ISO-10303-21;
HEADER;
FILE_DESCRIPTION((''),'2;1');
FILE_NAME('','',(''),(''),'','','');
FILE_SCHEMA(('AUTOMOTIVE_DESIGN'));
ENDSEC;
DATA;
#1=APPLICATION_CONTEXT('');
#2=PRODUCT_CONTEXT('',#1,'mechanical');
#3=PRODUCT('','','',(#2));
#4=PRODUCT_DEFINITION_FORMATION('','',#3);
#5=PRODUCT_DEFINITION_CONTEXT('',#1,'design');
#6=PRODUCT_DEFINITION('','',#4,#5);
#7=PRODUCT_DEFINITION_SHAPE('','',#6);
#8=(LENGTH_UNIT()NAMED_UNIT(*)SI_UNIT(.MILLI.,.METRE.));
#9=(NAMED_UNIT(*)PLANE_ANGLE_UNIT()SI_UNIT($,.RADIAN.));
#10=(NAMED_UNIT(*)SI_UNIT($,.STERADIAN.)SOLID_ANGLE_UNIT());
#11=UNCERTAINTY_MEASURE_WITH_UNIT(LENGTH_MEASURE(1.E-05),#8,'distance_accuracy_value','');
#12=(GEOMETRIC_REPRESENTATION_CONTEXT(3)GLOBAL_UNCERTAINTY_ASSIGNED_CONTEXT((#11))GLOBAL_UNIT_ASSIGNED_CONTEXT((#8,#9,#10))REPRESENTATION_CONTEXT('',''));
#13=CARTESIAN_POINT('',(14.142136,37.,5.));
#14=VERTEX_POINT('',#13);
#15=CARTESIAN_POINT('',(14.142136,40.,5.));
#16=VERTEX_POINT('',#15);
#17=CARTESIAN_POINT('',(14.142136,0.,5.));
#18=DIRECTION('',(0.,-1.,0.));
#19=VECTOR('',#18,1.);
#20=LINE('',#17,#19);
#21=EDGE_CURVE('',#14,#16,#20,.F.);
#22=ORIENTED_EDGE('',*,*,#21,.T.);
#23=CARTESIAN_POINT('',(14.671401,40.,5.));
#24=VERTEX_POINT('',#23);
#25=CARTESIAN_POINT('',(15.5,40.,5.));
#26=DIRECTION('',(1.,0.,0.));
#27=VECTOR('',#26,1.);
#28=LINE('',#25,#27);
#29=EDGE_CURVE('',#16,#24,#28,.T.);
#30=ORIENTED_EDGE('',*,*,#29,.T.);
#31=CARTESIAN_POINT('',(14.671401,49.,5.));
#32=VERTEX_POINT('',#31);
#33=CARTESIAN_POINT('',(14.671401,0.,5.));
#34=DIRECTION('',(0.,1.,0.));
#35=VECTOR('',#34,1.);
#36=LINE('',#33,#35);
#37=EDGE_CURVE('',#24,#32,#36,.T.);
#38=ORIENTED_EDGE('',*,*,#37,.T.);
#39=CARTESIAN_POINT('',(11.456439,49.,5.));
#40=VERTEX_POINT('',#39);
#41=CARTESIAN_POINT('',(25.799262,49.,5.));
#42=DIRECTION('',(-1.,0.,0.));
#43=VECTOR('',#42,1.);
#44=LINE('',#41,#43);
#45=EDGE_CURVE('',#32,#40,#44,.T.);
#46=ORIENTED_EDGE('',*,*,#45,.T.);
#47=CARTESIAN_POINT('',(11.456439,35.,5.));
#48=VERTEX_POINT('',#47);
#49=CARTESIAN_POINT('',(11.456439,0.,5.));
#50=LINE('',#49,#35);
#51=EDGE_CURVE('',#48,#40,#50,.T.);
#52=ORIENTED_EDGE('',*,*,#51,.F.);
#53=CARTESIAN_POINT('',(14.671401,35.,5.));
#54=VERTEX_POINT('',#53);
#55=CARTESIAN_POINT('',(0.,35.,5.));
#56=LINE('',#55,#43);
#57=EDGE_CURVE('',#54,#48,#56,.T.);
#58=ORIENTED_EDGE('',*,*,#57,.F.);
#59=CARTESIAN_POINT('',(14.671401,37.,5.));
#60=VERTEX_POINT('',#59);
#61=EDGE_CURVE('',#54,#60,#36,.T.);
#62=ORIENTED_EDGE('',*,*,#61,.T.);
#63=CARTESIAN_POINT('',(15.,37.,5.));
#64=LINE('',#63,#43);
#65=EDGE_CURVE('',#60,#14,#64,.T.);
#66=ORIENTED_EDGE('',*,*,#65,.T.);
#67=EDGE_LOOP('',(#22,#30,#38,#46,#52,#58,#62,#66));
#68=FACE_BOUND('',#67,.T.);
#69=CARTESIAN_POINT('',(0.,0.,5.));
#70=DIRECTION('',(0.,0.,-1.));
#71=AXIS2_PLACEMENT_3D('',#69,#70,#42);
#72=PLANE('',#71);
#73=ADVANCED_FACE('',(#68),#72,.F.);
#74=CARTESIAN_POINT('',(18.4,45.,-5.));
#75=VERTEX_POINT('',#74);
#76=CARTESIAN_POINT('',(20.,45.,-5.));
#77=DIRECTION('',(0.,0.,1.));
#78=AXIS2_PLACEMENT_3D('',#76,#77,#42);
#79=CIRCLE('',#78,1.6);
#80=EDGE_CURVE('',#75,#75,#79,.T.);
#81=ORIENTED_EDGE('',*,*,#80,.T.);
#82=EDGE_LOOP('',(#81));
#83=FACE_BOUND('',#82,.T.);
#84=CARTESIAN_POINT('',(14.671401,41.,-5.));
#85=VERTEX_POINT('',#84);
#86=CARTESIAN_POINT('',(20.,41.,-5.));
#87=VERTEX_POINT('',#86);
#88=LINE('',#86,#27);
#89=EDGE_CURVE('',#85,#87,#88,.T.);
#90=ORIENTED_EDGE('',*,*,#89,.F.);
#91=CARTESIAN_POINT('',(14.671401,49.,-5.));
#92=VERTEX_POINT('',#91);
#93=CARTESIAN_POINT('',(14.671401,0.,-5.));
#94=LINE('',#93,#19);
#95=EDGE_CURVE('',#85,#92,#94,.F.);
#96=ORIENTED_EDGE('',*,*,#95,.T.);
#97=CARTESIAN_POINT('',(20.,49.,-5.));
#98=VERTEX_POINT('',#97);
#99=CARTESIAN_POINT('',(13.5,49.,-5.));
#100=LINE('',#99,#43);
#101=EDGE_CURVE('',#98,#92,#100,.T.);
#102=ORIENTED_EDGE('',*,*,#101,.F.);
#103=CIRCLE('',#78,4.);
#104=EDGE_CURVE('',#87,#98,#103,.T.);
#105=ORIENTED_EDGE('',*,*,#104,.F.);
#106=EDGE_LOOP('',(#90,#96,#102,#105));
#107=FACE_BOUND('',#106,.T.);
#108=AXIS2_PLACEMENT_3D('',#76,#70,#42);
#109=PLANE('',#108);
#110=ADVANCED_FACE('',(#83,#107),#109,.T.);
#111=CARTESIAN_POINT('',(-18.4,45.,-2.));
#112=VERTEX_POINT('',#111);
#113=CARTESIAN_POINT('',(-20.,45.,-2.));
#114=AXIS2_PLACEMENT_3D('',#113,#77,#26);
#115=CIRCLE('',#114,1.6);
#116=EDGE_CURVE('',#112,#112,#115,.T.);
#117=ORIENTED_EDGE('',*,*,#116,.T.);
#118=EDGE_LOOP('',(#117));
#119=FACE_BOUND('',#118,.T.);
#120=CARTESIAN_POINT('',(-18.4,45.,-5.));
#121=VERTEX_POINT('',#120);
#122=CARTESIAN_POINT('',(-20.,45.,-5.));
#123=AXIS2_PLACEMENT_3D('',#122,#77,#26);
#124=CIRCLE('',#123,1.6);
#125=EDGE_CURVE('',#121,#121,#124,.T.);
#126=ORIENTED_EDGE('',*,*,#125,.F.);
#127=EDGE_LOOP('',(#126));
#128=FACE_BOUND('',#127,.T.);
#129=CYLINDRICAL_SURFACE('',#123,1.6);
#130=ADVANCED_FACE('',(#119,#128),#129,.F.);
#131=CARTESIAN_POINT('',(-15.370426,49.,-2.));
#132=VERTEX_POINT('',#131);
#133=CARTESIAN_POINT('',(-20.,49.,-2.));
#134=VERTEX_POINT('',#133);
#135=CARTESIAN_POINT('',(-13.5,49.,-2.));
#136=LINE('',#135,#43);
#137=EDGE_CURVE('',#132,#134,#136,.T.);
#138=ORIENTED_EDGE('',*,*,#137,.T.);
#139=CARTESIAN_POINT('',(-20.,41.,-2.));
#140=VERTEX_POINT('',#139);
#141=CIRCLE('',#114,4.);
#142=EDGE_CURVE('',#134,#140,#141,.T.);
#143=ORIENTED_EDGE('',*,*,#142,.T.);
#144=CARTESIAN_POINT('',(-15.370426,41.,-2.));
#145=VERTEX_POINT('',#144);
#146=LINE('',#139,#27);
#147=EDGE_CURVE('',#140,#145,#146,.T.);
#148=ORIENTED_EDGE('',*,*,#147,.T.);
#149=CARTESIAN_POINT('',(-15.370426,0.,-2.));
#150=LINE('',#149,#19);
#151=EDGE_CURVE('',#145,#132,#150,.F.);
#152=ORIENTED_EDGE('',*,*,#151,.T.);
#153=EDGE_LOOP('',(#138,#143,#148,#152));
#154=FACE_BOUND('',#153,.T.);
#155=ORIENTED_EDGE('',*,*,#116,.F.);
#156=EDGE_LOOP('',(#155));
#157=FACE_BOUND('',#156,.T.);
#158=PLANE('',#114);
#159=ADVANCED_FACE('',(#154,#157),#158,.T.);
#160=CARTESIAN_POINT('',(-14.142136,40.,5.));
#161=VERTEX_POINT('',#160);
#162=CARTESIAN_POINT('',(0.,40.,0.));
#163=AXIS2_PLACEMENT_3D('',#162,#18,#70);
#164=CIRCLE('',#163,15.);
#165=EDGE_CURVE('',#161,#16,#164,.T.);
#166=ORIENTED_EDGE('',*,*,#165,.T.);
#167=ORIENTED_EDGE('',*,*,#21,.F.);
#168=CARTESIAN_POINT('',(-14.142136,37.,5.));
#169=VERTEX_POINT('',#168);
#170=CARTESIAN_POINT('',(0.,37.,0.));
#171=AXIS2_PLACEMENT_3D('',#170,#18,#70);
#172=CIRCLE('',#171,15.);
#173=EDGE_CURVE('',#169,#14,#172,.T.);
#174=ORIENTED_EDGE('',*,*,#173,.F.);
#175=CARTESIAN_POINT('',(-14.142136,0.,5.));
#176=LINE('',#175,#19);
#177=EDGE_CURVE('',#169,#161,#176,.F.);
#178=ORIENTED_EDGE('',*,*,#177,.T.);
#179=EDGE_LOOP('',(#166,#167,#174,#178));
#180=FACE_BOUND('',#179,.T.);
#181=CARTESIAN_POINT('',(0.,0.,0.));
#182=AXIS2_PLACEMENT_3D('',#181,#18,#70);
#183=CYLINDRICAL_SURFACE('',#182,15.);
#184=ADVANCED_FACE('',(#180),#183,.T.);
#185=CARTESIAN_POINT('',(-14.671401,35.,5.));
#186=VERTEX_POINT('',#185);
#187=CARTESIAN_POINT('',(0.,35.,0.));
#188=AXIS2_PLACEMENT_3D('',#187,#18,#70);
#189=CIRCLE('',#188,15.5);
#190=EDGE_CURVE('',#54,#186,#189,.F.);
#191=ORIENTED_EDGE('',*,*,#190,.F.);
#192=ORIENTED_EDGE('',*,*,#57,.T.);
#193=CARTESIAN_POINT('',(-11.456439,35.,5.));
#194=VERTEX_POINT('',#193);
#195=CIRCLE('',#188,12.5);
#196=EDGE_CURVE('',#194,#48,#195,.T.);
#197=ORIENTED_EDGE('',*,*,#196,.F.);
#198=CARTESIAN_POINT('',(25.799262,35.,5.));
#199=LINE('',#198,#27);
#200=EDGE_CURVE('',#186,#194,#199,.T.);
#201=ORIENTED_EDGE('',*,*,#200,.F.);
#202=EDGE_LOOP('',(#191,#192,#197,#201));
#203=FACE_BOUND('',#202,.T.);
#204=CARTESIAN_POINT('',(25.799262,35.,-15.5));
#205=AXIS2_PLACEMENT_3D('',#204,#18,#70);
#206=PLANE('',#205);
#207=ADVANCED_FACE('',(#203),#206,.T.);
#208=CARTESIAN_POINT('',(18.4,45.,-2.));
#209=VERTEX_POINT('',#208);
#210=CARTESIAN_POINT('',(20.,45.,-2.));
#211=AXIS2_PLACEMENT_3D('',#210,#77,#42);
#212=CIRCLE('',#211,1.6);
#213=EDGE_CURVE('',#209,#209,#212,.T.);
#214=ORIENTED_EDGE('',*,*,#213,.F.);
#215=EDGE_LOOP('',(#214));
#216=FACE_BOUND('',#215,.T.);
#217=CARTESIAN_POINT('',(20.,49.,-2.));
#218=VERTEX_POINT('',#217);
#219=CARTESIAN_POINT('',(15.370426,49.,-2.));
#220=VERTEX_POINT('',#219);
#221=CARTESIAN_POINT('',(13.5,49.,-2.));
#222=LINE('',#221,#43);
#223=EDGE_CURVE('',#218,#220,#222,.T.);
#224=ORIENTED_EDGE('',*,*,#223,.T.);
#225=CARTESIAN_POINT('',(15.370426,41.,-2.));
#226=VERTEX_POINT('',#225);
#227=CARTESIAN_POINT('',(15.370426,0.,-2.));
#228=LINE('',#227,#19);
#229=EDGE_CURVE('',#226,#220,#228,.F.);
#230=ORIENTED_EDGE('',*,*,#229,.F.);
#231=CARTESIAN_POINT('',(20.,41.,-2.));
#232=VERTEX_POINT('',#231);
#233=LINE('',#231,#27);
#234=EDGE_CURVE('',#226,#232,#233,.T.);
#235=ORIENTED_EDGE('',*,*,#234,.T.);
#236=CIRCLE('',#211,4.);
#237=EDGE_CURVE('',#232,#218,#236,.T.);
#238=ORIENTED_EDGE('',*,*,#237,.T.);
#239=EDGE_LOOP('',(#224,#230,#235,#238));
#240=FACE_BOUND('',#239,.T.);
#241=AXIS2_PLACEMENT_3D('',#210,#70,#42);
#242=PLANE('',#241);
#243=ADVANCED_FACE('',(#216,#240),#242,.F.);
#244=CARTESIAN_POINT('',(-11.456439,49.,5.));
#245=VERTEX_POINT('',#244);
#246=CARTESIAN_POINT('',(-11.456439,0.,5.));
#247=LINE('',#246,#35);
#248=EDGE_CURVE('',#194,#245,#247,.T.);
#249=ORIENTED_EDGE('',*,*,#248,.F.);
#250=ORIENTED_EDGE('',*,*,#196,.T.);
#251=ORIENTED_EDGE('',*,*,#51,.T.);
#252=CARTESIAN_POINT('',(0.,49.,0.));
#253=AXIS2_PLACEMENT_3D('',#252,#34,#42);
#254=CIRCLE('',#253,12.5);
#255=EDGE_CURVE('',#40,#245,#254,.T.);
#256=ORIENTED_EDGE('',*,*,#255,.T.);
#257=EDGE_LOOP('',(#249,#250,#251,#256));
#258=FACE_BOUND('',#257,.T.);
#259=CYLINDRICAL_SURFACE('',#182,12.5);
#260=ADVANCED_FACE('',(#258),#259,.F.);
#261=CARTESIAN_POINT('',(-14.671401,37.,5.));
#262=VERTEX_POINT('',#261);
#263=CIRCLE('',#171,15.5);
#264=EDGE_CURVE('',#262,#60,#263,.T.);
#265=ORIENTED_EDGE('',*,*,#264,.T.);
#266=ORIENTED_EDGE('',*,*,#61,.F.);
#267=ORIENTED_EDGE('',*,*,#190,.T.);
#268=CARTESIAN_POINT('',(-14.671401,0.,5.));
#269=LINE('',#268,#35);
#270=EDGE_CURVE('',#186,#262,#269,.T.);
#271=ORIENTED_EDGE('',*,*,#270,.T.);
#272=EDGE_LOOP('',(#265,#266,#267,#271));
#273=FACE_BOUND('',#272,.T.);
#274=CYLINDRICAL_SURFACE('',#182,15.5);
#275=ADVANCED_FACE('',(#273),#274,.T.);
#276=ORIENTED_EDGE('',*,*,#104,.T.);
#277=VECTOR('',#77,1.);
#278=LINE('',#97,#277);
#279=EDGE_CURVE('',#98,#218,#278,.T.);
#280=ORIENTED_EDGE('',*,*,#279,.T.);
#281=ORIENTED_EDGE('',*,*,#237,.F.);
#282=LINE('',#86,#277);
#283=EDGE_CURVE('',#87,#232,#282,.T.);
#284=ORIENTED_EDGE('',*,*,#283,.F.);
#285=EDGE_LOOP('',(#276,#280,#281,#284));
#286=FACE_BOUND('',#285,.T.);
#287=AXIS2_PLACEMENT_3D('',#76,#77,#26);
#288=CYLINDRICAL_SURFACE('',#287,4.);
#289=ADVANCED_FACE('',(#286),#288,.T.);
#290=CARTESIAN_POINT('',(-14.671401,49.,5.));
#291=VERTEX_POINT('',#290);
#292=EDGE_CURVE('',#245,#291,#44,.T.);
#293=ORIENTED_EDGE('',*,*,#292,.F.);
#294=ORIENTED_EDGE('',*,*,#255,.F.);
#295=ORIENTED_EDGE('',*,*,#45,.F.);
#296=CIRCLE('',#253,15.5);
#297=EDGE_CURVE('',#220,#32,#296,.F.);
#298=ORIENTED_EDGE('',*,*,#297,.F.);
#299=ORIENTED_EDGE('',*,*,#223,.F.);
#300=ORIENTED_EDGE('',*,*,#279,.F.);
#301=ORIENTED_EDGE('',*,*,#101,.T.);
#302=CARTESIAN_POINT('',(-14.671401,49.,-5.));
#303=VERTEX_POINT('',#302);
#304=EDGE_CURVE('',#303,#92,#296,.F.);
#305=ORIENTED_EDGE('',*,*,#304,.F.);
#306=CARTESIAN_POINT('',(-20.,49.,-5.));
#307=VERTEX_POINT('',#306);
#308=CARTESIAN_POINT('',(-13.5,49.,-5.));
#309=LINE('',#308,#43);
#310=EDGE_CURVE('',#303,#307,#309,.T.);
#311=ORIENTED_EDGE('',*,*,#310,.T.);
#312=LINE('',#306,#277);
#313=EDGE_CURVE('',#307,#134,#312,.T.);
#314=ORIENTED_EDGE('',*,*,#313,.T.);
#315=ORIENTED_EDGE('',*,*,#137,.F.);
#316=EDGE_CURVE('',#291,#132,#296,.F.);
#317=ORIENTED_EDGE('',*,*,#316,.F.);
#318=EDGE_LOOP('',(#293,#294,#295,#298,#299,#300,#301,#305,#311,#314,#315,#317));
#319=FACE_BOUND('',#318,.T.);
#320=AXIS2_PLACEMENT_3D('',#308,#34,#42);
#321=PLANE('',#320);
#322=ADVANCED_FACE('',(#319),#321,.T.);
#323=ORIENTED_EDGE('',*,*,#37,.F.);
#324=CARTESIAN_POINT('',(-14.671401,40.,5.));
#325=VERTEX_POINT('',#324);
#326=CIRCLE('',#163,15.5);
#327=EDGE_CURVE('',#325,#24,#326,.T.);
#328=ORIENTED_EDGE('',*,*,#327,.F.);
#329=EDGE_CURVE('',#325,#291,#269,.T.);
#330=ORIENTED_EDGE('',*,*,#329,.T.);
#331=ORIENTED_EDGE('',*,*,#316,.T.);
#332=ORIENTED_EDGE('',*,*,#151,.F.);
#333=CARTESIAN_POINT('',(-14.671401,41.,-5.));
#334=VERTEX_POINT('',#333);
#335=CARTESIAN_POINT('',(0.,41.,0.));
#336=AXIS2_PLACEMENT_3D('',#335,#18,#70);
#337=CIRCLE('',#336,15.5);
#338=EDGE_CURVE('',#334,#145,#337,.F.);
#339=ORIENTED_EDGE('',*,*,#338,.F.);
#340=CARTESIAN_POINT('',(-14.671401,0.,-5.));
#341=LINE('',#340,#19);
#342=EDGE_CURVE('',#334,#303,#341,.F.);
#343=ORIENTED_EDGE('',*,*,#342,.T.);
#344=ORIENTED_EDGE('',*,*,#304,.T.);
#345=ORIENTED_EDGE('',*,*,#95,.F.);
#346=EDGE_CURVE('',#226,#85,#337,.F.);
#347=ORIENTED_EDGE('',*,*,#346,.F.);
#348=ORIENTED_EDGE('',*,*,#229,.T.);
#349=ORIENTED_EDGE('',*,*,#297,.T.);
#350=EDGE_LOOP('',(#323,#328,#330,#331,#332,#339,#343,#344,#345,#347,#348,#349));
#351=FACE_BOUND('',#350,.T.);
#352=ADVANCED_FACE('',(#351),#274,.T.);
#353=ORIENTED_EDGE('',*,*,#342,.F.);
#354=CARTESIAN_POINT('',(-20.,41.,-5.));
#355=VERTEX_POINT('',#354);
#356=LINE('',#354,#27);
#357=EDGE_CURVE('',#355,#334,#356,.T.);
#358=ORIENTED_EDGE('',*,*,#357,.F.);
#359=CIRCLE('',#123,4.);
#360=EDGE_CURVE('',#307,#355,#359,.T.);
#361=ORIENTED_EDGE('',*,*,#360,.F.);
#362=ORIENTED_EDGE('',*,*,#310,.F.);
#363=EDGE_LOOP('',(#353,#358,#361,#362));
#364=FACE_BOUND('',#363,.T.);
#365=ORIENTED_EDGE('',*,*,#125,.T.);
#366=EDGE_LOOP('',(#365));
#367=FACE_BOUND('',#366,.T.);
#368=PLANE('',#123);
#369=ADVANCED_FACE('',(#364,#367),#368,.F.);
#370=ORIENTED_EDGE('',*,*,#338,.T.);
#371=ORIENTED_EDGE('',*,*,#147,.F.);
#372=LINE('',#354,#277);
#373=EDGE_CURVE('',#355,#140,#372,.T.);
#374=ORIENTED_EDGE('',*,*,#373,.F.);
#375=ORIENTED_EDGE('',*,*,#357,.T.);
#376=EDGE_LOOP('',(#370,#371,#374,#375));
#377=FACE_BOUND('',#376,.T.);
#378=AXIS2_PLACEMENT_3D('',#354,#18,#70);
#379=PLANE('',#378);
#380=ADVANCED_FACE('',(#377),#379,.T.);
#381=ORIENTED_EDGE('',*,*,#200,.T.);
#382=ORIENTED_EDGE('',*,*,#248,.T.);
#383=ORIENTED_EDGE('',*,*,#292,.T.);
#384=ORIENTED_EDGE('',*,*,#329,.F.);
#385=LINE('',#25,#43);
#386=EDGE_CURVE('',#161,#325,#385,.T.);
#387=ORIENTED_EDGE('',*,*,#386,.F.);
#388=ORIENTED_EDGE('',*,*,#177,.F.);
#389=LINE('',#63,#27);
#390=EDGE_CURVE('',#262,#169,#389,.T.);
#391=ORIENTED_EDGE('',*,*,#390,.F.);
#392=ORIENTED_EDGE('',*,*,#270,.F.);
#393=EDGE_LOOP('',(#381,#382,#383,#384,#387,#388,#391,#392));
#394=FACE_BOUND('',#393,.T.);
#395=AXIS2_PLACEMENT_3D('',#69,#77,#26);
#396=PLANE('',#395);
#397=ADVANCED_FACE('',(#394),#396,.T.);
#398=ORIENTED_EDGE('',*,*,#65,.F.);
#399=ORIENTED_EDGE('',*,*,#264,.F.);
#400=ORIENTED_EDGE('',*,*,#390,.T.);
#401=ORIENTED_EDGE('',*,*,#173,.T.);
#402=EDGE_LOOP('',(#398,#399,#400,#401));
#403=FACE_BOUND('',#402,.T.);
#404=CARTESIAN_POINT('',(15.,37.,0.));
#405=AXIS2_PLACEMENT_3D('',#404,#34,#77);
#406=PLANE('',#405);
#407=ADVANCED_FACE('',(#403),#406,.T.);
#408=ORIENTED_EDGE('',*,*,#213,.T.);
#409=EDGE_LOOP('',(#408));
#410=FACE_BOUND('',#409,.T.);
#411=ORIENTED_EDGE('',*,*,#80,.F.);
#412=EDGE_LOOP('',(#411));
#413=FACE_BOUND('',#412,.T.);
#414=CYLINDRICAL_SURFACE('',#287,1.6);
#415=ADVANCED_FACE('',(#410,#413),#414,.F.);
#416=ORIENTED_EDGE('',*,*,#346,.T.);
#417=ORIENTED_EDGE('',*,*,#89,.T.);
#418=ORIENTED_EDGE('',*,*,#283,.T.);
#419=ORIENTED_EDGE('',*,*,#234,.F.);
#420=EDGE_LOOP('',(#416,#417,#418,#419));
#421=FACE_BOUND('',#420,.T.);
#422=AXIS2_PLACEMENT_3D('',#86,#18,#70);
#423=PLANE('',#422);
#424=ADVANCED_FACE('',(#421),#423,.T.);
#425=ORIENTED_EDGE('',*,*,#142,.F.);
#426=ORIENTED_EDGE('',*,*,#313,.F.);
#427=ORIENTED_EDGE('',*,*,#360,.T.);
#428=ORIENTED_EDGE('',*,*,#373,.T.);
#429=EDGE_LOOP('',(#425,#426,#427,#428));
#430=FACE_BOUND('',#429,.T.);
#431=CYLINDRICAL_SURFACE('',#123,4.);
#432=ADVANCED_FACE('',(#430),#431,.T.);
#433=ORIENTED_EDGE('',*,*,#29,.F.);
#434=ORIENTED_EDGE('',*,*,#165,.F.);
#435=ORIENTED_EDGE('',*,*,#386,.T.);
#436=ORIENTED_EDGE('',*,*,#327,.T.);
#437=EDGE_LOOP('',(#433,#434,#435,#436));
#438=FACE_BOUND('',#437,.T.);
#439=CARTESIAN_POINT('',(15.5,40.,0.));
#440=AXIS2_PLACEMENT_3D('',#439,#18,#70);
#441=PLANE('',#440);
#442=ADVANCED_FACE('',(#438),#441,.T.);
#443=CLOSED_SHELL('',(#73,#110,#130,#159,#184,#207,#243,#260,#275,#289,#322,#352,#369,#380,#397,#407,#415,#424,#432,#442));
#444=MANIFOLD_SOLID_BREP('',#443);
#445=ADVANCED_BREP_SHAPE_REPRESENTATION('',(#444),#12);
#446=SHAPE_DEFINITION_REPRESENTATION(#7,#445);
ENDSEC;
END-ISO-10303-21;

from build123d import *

# Parameters (mm, degrees)
CORTE_EXTRUS_O1_DEPTH      = 1
CORTE_EXTRUS_O1_DEPTH_BACK = 51
RESSALTO_EXTRUS_O1_START   = -2
ESBO_O3_R                  = 1.6
RESSALTO_EXTRUS_O1_DEPTH   = 3
ESBO_O4_W                  = 67.372166219
ESBO_O4_H                  = 55.074072385
ESBO_O4_W_2                = 51.598524128
ESBO_O4_H_2                = 14
CORTE_EXTRUS_O2_DEPTH      = 6
CORTE_EXTRUS_O2_DEPTH_BACK = 16.5


with BuildPart() as part:
    # Esboço1 → Revolução1 (revolve)
    with BuildSketch(Plane.XY):
        Polygon((15, 37), (15.5, 37), (15.5, 13), (15, 13), (15, 10), (15.5, 10), (15.5, 0), (12.5, 0), (12.5, 50), (15.5, 50), (15.5, 40), (15, 40), align=None)
    revolve(axis=Axis((0, 0, 0), (0, 1, 0)))

    # Esboço2 → Corte-extrusão1 (cut, two sides)
    with BuildSketch(Plane(origin=(0, 50, 0), x_dir=(1, 0, 0), z_dir=(0, 1, 0))) as corte_extrus_o1_sk:
        with BuildLine():
            Line((-11.456439237, -5), (-14.671400751, -5))
            ThreePointArc((-14.671400751, -5), (0, -15.5), (14.671400751, -5))
            Line((14.671400751, -5), (11.456439237, -5))
            ThreePointArc((11.456439237, -5), (0, -12.5), (-11.456439237, -5))
        make_face()
    extrude(amount=CORTE_EXTRUS_O1_DEPTH, mode=Mode.SUBTRACT)
    extrude(corte_extrus_o1_sk.sketch, amount=-CORTE_EXTRUS_O1_DEPTH_BACK, mode=Mode.SUBTRACT)

    # Esboço3 → Ressalto-extrusão1 (add)
    with BuildSketch(Plane.XY.offset(RESSALTO_EXTRUS_O1_START)):
        with BuildLine():
            Line((-13.5, 49), (-20, 49))
            ThreePointArc((-20, 49), (-24, 45), (-20, 41))
            Line((-20, 41), (-13.5, 41))
            Line((-13.5, 41), (-13.5, 49))
        make_face()
        with Locations((-20, 45)):
            Circle(ESBO_O3_R, mode=Mode.SUBTRACT)
        with BuildLine():
            Line((13.5, 41), (13.5, 49))
            Line((13.5, 49), (20, 49))
            ThreePointArc((20, 49), (24, 45), (20, 41))
            Line((20, 41), (13.5, 41))
        make_face()
        with Locations((20, 45)):
            Circle(ESBO_O3_R, mode=Mode.SUBTRACT)
        with BuildLine():
            Line((13.5, 1), (20, 1))
            ThreePointArc((20, 1), (24, 5), (20, 9))
            Line((20, 9), (13.5, 9))
            Line((13.5, 9), (13.5, 1))
        make_face()
        with Locations((20, 5)):
            Circle(ESBO_O3_R, mode=Mode.SUBTRACT)
        with BuildLine():
            Line((-13.5, 9), (-13.5, 1))
            Line((-13.5, 1), (-20, 1))
            ThreePointArc((-20, 1), (-24, 5), (-20, 9))
            Line((-20, 9), (-13.5, 9))
        make_face()
        with Locations((-20, 5)):
            Circle(ESBO_O3_R, mode=Mode.SUBTRACT)
    extrude(amount=-RESSALTO_EXTRUS_O1_DEPTH)

    # Esboço4 → Corte-extrusão2 (cut, two sides)
    with BuildSketch(Plane.XY) as corte_extrus_o2_sk:
        with Locations((0.066837467, 24.799487601)):
            Rectangle(ESBO_O4_W, ESBO_O4_H)
        with Locations((0, 42)):
            Rectangle(ESBO_O4_W_2, ESBO_O4_H_2, mode=Mode.SUBTRACT)
    extrude(amount=CORTE_EXTRUS_O2_DEPTH, mode=Mode.SUBTRACT)
    extrude(corte_extrus_o2_sk.sketch, amount=-CORTE_EXTRUS_O2_DEPTH_BACK, mode=Mode.SUBTRACT)


solid = part.part
